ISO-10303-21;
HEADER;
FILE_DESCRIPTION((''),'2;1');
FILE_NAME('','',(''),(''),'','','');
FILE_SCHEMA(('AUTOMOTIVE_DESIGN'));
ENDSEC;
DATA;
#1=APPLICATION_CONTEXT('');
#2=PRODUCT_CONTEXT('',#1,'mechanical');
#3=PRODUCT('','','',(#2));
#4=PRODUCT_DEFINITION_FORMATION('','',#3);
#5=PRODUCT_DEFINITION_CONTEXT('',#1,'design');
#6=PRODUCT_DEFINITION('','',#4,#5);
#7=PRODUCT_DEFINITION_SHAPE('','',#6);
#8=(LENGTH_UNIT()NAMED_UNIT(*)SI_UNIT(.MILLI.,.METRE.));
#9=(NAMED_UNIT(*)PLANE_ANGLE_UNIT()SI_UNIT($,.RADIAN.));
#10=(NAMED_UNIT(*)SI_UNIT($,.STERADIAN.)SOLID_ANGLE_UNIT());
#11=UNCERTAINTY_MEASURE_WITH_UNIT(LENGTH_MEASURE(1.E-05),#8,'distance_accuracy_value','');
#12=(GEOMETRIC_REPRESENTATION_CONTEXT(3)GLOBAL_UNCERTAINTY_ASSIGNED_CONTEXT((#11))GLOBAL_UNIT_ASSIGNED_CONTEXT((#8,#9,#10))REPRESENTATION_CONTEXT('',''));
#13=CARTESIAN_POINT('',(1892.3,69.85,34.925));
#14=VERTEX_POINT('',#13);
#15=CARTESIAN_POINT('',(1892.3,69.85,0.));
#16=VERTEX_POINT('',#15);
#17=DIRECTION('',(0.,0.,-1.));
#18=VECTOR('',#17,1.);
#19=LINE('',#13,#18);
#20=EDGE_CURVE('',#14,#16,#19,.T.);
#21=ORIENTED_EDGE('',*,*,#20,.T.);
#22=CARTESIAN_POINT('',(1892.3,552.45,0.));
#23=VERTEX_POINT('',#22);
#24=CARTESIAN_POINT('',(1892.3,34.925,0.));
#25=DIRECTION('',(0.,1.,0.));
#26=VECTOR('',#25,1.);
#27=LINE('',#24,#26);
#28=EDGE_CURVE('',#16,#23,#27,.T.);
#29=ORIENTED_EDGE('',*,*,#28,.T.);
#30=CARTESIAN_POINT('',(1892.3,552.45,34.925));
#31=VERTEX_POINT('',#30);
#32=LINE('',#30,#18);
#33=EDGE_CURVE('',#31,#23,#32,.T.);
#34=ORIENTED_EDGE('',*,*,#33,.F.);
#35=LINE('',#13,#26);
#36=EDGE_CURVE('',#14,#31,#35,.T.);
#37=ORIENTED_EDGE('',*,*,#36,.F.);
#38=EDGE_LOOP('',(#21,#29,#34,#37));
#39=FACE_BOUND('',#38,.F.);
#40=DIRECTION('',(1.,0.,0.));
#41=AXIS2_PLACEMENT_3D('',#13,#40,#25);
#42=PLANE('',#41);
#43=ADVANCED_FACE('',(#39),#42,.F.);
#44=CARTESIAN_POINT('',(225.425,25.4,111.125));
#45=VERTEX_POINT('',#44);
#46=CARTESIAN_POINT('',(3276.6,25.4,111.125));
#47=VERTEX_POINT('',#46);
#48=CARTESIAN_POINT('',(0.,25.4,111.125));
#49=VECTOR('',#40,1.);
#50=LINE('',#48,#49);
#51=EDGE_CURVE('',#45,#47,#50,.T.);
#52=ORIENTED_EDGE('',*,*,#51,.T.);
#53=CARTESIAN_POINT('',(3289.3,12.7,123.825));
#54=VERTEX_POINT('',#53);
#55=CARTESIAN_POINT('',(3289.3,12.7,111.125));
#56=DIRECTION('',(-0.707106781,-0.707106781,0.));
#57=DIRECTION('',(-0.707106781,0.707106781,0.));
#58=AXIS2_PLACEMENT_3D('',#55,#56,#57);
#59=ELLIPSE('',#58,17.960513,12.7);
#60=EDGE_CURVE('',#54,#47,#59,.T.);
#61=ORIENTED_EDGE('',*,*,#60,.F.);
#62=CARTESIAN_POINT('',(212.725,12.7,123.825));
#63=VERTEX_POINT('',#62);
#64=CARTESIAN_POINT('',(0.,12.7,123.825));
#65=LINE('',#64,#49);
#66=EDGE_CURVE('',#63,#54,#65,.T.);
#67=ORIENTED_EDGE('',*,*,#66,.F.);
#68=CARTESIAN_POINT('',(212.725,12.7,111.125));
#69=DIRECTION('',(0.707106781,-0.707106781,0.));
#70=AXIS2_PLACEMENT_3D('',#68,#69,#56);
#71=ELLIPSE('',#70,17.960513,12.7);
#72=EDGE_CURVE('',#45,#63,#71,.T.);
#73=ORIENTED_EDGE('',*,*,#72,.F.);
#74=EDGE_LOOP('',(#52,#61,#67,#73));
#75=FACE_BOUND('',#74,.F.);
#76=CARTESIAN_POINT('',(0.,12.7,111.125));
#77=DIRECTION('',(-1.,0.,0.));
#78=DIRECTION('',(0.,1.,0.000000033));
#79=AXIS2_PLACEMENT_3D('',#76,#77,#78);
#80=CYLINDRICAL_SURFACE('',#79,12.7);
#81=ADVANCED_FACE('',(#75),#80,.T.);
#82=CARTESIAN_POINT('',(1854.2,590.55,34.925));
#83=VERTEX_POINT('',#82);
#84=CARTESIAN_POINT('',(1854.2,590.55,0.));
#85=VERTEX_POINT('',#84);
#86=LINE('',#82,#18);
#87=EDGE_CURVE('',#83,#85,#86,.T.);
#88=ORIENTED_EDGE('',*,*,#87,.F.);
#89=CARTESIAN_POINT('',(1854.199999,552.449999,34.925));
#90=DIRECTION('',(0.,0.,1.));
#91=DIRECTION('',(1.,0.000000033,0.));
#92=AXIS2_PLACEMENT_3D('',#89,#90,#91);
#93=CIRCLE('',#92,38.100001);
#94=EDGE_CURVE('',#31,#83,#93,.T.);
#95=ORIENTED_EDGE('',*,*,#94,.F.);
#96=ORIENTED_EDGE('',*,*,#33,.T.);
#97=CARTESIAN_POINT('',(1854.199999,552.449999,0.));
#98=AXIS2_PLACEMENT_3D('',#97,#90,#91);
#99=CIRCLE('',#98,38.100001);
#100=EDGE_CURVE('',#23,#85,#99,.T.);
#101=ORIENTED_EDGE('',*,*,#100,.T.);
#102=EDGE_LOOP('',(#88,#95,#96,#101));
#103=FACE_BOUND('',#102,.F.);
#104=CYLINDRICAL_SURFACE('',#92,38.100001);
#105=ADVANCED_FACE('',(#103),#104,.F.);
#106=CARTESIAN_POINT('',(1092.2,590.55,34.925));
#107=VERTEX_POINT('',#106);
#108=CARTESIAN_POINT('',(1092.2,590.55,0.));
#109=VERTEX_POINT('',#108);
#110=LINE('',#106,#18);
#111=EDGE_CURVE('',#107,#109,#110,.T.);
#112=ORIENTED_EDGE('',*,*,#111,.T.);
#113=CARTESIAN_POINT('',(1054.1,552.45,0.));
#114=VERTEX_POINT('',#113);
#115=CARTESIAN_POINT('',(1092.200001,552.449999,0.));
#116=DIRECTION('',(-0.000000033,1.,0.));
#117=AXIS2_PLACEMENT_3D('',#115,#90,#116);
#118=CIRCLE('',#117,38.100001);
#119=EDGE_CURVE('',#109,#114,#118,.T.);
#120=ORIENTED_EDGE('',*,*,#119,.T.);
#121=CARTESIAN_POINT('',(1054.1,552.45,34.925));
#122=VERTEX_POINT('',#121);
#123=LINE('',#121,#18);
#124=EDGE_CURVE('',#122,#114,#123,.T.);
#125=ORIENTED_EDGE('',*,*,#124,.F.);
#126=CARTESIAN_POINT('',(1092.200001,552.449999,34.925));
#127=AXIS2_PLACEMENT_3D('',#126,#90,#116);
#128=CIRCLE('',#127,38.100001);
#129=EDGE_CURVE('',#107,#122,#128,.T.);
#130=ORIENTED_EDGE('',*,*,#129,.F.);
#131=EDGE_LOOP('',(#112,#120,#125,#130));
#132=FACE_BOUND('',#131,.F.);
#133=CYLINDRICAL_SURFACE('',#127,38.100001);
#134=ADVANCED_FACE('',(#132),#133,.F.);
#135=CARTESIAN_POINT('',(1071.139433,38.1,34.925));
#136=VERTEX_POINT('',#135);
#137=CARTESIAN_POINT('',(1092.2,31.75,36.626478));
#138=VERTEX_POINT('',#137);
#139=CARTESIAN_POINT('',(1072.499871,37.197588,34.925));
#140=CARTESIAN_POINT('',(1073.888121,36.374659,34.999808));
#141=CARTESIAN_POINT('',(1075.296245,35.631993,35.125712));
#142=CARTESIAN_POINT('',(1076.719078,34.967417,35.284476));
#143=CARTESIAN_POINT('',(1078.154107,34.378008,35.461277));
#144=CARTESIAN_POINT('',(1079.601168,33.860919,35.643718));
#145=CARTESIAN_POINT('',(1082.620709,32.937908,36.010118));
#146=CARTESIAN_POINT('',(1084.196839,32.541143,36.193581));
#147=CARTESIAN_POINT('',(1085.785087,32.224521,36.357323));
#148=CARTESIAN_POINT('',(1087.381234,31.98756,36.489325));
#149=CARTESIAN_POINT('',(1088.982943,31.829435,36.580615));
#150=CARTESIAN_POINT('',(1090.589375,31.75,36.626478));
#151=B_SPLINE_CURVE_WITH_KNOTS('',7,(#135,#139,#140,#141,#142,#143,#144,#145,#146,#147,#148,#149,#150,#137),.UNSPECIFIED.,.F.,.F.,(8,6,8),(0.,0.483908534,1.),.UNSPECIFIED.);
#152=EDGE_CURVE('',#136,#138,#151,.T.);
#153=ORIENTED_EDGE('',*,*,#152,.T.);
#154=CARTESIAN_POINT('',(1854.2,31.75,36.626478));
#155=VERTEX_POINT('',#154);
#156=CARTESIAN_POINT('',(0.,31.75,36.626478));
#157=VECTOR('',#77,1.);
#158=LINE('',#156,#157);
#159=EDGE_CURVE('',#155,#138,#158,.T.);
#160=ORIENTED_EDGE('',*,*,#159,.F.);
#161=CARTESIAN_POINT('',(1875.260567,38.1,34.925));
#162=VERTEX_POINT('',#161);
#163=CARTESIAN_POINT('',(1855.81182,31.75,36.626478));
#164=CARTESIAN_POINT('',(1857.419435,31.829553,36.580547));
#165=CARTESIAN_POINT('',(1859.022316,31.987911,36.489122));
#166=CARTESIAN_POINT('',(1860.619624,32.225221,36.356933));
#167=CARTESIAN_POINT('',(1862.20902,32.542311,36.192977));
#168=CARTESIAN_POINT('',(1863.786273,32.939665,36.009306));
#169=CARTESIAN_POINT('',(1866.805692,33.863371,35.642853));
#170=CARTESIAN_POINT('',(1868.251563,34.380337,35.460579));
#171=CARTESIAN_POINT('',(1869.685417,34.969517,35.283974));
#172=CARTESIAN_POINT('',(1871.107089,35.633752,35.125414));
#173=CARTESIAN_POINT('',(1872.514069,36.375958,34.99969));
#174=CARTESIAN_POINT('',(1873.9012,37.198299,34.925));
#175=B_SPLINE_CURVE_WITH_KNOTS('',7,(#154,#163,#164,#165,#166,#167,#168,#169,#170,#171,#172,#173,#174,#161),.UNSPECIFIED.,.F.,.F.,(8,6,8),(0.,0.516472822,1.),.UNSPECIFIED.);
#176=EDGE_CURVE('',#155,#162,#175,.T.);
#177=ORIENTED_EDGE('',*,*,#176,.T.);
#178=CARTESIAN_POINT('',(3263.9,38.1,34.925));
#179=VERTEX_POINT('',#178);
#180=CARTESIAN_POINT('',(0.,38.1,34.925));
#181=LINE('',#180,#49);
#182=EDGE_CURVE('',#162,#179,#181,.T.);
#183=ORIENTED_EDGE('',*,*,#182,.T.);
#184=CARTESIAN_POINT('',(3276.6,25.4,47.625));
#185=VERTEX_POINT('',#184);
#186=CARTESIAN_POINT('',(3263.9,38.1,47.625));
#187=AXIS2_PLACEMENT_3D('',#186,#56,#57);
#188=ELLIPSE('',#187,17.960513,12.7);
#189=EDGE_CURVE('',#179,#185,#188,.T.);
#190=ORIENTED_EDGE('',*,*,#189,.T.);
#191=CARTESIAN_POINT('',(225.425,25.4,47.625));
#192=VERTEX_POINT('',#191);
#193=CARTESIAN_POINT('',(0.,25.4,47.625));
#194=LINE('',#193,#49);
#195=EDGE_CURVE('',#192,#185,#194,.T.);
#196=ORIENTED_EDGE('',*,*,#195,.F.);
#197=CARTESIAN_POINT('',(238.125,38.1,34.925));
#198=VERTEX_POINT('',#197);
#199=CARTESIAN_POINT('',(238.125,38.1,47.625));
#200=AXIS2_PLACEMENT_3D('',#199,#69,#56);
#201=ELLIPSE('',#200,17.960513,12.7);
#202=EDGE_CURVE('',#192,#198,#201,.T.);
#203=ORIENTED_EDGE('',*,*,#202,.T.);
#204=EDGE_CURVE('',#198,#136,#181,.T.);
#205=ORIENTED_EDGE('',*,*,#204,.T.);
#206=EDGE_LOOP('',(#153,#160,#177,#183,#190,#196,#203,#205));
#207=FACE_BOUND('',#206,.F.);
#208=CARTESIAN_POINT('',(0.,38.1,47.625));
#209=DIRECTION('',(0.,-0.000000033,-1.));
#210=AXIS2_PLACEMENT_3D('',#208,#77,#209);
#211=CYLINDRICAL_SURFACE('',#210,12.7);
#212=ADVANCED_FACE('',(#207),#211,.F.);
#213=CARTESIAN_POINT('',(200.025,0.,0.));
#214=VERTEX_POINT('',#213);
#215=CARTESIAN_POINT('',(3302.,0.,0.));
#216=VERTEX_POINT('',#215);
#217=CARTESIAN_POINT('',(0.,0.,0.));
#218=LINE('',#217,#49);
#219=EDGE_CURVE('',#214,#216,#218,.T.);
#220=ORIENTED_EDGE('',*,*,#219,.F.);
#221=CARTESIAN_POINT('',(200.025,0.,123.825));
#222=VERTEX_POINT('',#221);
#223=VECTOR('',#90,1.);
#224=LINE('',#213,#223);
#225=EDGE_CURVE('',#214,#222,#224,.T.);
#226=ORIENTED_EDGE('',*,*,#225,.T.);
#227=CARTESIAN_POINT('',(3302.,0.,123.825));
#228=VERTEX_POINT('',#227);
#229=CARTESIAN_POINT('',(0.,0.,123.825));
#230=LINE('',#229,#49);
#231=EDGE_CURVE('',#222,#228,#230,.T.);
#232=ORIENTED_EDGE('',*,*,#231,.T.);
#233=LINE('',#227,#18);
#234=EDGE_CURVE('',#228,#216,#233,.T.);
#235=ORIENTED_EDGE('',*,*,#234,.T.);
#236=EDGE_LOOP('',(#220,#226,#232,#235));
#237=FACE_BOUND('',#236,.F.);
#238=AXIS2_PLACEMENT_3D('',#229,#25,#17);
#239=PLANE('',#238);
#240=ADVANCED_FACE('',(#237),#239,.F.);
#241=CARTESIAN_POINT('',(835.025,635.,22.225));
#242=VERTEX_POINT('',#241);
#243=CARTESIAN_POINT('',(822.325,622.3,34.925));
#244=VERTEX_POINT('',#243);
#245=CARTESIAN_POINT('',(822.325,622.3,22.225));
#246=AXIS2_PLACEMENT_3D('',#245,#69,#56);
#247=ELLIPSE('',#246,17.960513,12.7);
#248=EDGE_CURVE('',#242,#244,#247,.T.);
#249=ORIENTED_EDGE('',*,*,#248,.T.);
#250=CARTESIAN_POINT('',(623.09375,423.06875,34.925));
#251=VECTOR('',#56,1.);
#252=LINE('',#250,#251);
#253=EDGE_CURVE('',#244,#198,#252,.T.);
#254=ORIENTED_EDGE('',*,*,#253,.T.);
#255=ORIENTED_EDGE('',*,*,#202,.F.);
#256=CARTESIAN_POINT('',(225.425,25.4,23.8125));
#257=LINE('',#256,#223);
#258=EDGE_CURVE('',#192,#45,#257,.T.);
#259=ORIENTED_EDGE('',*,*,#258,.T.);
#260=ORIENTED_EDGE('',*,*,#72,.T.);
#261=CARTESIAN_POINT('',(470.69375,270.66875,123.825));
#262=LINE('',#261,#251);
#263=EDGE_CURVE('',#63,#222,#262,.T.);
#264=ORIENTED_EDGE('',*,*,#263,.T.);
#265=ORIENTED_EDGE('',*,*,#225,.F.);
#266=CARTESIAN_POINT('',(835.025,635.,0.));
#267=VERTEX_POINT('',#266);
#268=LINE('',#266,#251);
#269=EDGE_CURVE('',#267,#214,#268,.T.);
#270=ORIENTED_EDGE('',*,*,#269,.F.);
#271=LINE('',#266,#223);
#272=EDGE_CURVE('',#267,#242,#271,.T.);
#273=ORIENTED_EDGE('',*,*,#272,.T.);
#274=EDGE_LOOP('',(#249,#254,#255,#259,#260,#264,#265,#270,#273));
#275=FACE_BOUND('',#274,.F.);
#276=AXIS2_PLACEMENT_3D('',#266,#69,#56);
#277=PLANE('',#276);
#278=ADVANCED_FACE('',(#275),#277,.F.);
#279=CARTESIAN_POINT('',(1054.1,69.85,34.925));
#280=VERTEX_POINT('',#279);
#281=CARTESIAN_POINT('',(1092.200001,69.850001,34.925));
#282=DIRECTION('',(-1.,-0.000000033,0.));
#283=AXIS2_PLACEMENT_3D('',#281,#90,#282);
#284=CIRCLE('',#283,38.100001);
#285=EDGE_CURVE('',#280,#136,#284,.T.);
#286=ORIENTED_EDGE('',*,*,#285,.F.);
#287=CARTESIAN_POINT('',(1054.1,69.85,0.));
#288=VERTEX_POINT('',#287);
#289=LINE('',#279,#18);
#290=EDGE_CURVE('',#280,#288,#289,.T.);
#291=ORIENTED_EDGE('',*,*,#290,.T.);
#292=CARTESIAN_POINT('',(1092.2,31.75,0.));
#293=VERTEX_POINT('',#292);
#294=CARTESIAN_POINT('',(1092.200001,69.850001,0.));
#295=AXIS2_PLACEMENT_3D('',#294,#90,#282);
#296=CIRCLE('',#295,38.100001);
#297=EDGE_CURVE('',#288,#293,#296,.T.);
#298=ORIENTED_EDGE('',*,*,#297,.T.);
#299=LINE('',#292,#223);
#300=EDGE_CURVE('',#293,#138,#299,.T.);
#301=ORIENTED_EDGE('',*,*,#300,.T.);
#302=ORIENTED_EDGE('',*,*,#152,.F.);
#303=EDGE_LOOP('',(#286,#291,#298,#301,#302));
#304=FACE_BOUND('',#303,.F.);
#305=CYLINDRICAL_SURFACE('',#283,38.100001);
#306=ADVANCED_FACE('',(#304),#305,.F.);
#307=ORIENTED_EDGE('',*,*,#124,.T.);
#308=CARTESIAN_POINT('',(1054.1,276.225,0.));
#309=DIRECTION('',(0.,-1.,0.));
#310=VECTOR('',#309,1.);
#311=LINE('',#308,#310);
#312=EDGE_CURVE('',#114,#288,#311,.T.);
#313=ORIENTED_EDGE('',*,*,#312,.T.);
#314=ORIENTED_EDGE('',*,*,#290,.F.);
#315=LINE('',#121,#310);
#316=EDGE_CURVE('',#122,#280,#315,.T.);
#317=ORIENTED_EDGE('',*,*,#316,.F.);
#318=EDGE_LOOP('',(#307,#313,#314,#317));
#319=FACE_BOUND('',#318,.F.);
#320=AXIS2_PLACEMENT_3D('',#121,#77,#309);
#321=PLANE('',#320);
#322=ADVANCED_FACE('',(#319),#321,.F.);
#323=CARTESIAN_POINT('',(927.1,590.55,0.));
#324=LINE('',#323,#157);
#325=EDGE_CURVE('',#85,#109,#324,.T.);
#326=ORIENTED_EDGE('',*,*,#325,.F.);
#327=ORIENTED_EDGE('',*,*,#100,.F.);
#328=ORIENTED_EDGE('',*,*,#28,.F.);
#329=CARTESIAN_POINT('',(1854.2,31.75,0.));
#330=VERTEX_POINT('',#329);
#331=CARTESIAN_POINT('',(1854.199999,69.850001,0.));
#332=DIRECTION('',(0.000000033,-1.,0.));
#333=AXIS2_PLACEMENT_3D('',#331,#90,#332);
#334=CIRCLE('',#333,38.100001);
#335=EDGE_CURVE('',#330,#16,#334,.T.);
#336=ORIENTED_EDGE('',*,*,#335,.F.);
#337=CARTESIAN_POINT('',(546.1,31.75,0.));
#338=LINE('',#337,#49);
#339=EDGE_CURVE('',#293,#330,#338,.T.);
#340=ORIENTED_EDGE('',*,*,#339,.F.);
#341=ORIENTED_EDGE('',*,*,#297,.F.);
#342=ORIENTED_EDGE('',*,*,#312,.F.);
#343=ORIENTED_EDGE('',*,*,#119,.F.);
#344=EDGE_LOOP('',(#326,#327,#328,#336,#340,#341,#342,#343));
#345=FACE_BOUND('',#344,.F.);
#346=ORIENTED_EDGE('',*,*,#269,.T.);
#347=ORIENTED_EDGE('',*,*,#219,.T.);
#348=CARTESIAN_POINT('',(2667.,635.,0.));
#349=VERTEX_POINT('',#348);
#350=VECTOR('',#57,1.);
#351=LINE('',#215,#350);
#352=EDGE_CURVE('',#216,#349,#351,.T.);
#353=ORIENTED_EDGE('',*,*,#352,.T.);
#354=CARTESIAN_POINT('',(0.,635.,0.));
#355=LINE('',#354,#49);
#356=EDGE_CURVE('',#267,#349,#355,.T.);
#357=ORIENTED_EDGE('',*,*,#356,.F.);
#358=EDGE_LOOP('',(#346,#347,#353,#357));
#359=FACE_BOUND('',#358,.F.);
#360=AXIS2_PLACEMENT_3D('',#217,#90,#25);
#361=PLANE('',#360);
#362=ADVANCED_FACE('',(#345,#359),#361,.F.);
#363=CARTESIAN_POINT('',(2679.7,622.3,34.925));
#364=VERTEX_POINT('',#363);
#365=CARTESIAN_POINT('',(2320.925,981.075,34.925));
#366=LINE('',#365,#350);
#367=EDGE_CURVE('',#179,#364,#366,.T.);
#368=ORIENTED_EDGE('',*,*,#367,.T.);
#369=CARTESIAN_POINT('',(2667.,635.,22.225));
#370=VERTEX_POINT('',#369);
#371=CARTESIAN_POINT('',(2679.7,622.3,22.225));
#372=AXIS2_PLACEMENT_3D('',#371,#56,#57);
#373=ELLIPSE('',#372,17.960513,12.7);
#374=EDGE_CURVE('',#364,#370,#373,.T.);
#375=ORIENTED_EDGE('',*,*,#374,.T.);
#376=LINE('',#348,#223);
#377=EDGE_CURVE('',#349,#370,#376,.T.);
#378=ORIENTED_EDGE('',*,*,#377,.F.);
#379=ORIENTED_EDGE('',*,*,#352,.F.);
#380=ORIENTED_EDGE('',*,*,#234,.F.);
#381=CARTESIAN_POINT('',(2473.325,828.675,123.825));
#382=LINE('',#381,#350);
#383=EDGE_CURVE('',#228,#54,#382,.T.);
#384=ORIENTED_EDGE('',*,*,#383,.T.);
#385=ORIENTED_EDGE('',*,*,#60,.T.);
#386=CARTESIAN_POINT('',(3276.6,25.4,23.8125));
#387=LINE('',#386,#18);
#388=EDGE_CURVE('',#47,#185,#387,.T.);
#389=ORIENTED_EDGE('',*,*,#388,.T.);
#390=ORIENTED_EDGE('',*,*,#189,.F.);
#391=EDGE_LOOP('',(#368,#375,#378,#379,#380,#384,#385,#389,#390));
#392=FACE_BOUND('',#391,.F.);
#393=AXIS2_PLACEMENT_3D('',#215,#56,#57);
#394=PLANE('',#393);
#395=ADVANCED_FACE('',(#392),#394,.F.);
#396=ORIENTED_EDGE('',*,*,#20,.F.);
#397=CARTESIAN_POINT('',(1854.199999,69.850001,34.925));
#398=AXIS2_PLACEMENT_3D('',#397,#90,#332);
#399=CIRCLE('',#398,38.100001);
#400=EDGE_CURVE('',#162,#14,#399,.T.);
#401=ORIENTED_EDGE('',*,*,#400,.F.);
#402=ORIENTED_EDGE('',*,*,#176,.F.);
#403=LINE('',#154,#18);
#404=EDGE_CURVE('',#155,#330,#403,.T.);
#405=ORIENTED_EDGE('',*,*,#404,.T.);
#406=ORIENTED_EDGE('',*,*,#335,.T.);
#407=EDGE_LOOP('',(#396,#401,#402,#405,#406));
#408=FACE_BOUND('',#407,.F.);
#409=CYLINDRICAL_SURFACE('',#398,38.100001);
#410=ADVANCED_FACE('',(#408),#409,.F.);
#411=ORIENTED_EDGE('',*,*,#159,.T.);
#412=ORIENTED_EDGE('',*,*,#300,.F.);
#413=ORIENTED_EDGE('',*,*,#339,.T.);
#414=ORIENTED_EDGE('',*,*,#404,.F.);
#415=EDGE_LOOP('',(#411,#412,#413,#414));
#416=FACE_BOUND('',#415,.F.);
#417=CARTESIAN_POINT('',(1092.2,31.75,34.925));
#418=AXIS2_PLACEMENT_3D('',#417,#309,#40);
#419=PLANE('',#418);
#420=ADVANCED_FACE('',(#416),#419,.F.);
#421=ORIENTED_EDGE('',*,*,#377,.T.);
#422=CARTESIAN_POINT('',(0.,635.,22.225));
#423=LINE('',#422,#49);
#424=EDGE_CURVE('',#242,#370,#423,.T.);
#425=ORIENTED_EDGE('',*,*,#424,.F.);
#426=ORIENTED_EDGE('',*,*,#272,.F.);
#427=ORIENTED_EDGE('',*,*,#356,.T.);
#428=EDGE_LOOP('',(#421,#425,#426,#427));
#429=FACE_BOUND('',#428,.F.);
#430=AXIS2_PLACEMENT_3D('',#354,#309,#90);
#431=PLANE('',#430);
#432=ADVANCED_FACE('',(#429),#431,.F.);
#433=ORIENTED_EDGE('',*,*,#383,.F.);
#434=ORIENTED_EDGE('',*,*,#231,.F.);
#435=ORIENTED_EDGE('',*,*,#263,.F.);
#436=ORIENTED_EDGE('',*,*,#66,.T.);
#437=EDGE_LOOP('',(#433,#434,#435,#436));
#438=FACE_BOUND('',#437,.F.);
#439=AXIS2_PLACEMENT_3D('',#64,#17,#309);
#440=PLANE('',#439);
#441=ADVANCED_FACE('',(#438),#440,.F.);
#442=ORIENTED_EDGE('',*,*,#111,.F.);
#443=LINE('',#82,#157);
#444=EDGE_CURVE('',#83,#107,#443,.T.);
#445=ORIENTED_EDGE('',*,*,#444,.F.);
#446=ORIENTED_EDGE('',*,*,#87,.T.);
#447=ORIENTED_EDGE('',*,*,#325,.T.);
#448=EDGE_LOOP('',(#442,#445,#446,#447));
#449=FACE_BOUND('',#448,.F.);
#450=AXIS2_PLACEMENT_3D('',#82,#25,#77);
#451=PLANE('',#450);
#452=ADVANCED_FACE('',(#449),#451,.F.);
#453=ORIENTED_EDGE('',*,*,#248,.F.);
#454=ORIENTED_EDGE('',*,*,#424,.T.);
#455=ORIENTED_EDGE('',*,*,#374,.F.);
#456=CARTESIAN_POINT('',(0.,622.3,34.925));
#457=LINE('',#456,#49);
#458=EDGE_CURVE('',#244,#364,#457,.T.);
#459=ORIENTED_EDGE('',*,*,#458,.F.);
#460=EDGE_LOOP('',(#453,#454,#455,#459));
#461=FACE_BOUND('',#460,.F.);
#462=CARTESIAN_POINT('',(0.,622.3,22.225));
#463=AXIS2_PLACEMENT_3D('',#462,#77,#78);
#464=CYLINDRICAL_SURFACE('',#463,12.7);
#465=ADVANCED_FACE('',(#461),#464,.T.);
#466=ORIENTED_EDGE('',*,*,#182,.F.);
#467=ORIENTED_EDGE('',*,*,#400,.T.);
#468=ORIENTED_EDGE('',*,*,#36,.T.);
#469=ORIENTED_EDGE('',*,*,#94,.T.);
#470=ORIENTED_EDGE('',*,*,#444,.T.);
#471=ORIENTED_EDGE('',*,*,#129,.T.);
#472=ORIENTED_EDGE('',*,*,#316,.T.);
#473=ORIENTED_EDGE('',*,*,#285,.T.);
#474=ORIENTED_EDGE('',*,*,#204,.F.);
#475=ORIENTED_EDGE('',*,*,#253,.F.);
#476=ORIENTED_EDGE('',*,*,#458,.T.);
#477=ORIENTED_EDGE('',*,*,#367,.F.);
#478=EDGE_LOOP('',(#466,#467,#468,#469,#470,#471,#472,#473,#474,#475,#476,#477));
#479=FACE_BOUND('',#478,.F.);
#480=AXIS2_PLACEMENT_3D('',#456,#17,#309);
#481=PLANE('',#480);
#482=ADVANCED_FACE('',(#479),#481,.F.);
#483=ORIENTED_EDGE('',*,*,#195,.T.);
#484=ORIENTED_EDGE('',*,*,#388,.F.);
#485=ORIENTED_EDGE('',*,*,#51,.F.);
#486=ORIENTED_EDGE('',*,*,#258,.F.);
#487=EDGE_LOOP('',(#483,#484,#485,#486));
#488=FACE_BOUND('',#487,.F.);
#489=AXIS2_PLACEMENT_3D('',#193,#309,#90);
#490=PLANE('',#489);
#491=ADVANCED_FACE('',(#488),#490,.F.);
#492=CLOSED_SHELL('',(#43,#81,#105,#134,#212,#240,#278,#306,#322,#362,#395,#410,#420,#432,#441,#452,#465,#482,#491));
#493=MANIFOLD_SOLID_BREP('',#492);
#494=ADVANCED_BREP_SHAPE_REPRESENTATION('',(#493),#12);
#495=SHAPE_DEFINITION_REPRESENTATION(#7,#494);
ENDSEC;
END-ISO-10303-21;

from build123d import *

# Parameters (mm, degrees)
F1_DEPTH = 3302
F3_DEPTH = 254
F5_DEPTH = 127
F6_DEPTH = 254


with BuildPart() as f1:
    # F0 (on Right) → F1 (new body)
    with BuildSketch(Plane.YZ):
        with BuildLine():
            Line((0, 34.925), (0, 0))
            Line((0, 0), (635, 0))
            Line((635, 0), (635, 22.225))
            ThreePointArc((635, 22.225), (631.280256, 31.205256), (622.3, 34.925))
            Line((622.3, 34.925), (38.1, 34.925))
            ThreePointArc((38.1, 34.925), (29.119744, 38.644744), (25.4, 47.625))
            Line((25.4, 47.625), (25.4, 111.125))
            ThreePointArc((25.4, 111.125), (21.680256, 120.105256), (12.7, 123.825))
            Line((12.7, 123.825), (0, 123.825))
            Line((0, 123.825), (0, 34.925))
        make_face()
    extrude(amount=F1_DEPTH)

    # F2 (on face) → F3 (cut)
    with BuildSketch(Plane(origin=(0, 0, 0), x_dir=(1, 0, 0), z_dir=(0, 0, -1))):
        Polygon((3302, -635), (3302, 0), (2667, -635), align=None)
        Polygon((0, -635), (835.025, -635), (200.025, 0), (0, 0), align=None)
    extrude(amount=-F3_DEPTH, mode=Mode.SUBTRACT)

    # F4 (on face) → F5 (cut)
    with BuildSketch(Plane.XY.offset(34.925)):
        with BuildLine():
            Line((1092.2, 31.75), (1854.2, 31.75))
            ThreePointArc((1854.2, 31.75), (1881.140768, 42.909232), (1892.3, 69.85))
            Line((1892.3, 69.85), (1892.3, 552.45))
            ThreePointArc((1892.3, 552.45), (1881.140768, 579.390768), (1854.2, 590.55))
            Line((1854.2, 590.55), (1092.2, 590.55))
            ThreePointArc((1092.2, 590.55), (1065.259232, 579.390768), (1054.1, 552.45))
            Line((1054.1, 552.45), (1054.1, 69.85))
            ThreePointArc((1054.1, 69.85), (1065.259232, 42.909232), (1092.2, 31.75))
        make_face()
    extrude(amount=-F5_DEPTH, mode=Mode.SUBTRACT)

    # F4 (on face) → F6 (cut)
    with BuildSketch(Plane.XY.offset(34.925)):
        with BuildLine():
            Line((1092.2, 31.75), (1854.2, 31.75))
            ThreePointArc((1854.2, 31.75), (1881.140768, 42.909232), (1892.3, 69.85))
            Line((1892.3, 69.85), (1892.3, 552.45))
            ThreePointArc((1892.3, 552.45), (1881.140768, 579.390768), (1854.2, 590.55))
            Line((1854.2, 590.55), (1092.2, 590.55))
            ThreePointArc((1092.2, 590.55), (1065.259232, 579.390768), (1054.1, 552.45))
            Line((1054.1, 552.45), (1054.1, 69.85))
            ThreePointArc((1054.1, 69.85), (1065.259232, 42.909232), (1092.2, 31.75))
        make_face()
    extrude(amount=F6_DEPTH, mode=Mode.SUBTRACT)


solid = f1.part
